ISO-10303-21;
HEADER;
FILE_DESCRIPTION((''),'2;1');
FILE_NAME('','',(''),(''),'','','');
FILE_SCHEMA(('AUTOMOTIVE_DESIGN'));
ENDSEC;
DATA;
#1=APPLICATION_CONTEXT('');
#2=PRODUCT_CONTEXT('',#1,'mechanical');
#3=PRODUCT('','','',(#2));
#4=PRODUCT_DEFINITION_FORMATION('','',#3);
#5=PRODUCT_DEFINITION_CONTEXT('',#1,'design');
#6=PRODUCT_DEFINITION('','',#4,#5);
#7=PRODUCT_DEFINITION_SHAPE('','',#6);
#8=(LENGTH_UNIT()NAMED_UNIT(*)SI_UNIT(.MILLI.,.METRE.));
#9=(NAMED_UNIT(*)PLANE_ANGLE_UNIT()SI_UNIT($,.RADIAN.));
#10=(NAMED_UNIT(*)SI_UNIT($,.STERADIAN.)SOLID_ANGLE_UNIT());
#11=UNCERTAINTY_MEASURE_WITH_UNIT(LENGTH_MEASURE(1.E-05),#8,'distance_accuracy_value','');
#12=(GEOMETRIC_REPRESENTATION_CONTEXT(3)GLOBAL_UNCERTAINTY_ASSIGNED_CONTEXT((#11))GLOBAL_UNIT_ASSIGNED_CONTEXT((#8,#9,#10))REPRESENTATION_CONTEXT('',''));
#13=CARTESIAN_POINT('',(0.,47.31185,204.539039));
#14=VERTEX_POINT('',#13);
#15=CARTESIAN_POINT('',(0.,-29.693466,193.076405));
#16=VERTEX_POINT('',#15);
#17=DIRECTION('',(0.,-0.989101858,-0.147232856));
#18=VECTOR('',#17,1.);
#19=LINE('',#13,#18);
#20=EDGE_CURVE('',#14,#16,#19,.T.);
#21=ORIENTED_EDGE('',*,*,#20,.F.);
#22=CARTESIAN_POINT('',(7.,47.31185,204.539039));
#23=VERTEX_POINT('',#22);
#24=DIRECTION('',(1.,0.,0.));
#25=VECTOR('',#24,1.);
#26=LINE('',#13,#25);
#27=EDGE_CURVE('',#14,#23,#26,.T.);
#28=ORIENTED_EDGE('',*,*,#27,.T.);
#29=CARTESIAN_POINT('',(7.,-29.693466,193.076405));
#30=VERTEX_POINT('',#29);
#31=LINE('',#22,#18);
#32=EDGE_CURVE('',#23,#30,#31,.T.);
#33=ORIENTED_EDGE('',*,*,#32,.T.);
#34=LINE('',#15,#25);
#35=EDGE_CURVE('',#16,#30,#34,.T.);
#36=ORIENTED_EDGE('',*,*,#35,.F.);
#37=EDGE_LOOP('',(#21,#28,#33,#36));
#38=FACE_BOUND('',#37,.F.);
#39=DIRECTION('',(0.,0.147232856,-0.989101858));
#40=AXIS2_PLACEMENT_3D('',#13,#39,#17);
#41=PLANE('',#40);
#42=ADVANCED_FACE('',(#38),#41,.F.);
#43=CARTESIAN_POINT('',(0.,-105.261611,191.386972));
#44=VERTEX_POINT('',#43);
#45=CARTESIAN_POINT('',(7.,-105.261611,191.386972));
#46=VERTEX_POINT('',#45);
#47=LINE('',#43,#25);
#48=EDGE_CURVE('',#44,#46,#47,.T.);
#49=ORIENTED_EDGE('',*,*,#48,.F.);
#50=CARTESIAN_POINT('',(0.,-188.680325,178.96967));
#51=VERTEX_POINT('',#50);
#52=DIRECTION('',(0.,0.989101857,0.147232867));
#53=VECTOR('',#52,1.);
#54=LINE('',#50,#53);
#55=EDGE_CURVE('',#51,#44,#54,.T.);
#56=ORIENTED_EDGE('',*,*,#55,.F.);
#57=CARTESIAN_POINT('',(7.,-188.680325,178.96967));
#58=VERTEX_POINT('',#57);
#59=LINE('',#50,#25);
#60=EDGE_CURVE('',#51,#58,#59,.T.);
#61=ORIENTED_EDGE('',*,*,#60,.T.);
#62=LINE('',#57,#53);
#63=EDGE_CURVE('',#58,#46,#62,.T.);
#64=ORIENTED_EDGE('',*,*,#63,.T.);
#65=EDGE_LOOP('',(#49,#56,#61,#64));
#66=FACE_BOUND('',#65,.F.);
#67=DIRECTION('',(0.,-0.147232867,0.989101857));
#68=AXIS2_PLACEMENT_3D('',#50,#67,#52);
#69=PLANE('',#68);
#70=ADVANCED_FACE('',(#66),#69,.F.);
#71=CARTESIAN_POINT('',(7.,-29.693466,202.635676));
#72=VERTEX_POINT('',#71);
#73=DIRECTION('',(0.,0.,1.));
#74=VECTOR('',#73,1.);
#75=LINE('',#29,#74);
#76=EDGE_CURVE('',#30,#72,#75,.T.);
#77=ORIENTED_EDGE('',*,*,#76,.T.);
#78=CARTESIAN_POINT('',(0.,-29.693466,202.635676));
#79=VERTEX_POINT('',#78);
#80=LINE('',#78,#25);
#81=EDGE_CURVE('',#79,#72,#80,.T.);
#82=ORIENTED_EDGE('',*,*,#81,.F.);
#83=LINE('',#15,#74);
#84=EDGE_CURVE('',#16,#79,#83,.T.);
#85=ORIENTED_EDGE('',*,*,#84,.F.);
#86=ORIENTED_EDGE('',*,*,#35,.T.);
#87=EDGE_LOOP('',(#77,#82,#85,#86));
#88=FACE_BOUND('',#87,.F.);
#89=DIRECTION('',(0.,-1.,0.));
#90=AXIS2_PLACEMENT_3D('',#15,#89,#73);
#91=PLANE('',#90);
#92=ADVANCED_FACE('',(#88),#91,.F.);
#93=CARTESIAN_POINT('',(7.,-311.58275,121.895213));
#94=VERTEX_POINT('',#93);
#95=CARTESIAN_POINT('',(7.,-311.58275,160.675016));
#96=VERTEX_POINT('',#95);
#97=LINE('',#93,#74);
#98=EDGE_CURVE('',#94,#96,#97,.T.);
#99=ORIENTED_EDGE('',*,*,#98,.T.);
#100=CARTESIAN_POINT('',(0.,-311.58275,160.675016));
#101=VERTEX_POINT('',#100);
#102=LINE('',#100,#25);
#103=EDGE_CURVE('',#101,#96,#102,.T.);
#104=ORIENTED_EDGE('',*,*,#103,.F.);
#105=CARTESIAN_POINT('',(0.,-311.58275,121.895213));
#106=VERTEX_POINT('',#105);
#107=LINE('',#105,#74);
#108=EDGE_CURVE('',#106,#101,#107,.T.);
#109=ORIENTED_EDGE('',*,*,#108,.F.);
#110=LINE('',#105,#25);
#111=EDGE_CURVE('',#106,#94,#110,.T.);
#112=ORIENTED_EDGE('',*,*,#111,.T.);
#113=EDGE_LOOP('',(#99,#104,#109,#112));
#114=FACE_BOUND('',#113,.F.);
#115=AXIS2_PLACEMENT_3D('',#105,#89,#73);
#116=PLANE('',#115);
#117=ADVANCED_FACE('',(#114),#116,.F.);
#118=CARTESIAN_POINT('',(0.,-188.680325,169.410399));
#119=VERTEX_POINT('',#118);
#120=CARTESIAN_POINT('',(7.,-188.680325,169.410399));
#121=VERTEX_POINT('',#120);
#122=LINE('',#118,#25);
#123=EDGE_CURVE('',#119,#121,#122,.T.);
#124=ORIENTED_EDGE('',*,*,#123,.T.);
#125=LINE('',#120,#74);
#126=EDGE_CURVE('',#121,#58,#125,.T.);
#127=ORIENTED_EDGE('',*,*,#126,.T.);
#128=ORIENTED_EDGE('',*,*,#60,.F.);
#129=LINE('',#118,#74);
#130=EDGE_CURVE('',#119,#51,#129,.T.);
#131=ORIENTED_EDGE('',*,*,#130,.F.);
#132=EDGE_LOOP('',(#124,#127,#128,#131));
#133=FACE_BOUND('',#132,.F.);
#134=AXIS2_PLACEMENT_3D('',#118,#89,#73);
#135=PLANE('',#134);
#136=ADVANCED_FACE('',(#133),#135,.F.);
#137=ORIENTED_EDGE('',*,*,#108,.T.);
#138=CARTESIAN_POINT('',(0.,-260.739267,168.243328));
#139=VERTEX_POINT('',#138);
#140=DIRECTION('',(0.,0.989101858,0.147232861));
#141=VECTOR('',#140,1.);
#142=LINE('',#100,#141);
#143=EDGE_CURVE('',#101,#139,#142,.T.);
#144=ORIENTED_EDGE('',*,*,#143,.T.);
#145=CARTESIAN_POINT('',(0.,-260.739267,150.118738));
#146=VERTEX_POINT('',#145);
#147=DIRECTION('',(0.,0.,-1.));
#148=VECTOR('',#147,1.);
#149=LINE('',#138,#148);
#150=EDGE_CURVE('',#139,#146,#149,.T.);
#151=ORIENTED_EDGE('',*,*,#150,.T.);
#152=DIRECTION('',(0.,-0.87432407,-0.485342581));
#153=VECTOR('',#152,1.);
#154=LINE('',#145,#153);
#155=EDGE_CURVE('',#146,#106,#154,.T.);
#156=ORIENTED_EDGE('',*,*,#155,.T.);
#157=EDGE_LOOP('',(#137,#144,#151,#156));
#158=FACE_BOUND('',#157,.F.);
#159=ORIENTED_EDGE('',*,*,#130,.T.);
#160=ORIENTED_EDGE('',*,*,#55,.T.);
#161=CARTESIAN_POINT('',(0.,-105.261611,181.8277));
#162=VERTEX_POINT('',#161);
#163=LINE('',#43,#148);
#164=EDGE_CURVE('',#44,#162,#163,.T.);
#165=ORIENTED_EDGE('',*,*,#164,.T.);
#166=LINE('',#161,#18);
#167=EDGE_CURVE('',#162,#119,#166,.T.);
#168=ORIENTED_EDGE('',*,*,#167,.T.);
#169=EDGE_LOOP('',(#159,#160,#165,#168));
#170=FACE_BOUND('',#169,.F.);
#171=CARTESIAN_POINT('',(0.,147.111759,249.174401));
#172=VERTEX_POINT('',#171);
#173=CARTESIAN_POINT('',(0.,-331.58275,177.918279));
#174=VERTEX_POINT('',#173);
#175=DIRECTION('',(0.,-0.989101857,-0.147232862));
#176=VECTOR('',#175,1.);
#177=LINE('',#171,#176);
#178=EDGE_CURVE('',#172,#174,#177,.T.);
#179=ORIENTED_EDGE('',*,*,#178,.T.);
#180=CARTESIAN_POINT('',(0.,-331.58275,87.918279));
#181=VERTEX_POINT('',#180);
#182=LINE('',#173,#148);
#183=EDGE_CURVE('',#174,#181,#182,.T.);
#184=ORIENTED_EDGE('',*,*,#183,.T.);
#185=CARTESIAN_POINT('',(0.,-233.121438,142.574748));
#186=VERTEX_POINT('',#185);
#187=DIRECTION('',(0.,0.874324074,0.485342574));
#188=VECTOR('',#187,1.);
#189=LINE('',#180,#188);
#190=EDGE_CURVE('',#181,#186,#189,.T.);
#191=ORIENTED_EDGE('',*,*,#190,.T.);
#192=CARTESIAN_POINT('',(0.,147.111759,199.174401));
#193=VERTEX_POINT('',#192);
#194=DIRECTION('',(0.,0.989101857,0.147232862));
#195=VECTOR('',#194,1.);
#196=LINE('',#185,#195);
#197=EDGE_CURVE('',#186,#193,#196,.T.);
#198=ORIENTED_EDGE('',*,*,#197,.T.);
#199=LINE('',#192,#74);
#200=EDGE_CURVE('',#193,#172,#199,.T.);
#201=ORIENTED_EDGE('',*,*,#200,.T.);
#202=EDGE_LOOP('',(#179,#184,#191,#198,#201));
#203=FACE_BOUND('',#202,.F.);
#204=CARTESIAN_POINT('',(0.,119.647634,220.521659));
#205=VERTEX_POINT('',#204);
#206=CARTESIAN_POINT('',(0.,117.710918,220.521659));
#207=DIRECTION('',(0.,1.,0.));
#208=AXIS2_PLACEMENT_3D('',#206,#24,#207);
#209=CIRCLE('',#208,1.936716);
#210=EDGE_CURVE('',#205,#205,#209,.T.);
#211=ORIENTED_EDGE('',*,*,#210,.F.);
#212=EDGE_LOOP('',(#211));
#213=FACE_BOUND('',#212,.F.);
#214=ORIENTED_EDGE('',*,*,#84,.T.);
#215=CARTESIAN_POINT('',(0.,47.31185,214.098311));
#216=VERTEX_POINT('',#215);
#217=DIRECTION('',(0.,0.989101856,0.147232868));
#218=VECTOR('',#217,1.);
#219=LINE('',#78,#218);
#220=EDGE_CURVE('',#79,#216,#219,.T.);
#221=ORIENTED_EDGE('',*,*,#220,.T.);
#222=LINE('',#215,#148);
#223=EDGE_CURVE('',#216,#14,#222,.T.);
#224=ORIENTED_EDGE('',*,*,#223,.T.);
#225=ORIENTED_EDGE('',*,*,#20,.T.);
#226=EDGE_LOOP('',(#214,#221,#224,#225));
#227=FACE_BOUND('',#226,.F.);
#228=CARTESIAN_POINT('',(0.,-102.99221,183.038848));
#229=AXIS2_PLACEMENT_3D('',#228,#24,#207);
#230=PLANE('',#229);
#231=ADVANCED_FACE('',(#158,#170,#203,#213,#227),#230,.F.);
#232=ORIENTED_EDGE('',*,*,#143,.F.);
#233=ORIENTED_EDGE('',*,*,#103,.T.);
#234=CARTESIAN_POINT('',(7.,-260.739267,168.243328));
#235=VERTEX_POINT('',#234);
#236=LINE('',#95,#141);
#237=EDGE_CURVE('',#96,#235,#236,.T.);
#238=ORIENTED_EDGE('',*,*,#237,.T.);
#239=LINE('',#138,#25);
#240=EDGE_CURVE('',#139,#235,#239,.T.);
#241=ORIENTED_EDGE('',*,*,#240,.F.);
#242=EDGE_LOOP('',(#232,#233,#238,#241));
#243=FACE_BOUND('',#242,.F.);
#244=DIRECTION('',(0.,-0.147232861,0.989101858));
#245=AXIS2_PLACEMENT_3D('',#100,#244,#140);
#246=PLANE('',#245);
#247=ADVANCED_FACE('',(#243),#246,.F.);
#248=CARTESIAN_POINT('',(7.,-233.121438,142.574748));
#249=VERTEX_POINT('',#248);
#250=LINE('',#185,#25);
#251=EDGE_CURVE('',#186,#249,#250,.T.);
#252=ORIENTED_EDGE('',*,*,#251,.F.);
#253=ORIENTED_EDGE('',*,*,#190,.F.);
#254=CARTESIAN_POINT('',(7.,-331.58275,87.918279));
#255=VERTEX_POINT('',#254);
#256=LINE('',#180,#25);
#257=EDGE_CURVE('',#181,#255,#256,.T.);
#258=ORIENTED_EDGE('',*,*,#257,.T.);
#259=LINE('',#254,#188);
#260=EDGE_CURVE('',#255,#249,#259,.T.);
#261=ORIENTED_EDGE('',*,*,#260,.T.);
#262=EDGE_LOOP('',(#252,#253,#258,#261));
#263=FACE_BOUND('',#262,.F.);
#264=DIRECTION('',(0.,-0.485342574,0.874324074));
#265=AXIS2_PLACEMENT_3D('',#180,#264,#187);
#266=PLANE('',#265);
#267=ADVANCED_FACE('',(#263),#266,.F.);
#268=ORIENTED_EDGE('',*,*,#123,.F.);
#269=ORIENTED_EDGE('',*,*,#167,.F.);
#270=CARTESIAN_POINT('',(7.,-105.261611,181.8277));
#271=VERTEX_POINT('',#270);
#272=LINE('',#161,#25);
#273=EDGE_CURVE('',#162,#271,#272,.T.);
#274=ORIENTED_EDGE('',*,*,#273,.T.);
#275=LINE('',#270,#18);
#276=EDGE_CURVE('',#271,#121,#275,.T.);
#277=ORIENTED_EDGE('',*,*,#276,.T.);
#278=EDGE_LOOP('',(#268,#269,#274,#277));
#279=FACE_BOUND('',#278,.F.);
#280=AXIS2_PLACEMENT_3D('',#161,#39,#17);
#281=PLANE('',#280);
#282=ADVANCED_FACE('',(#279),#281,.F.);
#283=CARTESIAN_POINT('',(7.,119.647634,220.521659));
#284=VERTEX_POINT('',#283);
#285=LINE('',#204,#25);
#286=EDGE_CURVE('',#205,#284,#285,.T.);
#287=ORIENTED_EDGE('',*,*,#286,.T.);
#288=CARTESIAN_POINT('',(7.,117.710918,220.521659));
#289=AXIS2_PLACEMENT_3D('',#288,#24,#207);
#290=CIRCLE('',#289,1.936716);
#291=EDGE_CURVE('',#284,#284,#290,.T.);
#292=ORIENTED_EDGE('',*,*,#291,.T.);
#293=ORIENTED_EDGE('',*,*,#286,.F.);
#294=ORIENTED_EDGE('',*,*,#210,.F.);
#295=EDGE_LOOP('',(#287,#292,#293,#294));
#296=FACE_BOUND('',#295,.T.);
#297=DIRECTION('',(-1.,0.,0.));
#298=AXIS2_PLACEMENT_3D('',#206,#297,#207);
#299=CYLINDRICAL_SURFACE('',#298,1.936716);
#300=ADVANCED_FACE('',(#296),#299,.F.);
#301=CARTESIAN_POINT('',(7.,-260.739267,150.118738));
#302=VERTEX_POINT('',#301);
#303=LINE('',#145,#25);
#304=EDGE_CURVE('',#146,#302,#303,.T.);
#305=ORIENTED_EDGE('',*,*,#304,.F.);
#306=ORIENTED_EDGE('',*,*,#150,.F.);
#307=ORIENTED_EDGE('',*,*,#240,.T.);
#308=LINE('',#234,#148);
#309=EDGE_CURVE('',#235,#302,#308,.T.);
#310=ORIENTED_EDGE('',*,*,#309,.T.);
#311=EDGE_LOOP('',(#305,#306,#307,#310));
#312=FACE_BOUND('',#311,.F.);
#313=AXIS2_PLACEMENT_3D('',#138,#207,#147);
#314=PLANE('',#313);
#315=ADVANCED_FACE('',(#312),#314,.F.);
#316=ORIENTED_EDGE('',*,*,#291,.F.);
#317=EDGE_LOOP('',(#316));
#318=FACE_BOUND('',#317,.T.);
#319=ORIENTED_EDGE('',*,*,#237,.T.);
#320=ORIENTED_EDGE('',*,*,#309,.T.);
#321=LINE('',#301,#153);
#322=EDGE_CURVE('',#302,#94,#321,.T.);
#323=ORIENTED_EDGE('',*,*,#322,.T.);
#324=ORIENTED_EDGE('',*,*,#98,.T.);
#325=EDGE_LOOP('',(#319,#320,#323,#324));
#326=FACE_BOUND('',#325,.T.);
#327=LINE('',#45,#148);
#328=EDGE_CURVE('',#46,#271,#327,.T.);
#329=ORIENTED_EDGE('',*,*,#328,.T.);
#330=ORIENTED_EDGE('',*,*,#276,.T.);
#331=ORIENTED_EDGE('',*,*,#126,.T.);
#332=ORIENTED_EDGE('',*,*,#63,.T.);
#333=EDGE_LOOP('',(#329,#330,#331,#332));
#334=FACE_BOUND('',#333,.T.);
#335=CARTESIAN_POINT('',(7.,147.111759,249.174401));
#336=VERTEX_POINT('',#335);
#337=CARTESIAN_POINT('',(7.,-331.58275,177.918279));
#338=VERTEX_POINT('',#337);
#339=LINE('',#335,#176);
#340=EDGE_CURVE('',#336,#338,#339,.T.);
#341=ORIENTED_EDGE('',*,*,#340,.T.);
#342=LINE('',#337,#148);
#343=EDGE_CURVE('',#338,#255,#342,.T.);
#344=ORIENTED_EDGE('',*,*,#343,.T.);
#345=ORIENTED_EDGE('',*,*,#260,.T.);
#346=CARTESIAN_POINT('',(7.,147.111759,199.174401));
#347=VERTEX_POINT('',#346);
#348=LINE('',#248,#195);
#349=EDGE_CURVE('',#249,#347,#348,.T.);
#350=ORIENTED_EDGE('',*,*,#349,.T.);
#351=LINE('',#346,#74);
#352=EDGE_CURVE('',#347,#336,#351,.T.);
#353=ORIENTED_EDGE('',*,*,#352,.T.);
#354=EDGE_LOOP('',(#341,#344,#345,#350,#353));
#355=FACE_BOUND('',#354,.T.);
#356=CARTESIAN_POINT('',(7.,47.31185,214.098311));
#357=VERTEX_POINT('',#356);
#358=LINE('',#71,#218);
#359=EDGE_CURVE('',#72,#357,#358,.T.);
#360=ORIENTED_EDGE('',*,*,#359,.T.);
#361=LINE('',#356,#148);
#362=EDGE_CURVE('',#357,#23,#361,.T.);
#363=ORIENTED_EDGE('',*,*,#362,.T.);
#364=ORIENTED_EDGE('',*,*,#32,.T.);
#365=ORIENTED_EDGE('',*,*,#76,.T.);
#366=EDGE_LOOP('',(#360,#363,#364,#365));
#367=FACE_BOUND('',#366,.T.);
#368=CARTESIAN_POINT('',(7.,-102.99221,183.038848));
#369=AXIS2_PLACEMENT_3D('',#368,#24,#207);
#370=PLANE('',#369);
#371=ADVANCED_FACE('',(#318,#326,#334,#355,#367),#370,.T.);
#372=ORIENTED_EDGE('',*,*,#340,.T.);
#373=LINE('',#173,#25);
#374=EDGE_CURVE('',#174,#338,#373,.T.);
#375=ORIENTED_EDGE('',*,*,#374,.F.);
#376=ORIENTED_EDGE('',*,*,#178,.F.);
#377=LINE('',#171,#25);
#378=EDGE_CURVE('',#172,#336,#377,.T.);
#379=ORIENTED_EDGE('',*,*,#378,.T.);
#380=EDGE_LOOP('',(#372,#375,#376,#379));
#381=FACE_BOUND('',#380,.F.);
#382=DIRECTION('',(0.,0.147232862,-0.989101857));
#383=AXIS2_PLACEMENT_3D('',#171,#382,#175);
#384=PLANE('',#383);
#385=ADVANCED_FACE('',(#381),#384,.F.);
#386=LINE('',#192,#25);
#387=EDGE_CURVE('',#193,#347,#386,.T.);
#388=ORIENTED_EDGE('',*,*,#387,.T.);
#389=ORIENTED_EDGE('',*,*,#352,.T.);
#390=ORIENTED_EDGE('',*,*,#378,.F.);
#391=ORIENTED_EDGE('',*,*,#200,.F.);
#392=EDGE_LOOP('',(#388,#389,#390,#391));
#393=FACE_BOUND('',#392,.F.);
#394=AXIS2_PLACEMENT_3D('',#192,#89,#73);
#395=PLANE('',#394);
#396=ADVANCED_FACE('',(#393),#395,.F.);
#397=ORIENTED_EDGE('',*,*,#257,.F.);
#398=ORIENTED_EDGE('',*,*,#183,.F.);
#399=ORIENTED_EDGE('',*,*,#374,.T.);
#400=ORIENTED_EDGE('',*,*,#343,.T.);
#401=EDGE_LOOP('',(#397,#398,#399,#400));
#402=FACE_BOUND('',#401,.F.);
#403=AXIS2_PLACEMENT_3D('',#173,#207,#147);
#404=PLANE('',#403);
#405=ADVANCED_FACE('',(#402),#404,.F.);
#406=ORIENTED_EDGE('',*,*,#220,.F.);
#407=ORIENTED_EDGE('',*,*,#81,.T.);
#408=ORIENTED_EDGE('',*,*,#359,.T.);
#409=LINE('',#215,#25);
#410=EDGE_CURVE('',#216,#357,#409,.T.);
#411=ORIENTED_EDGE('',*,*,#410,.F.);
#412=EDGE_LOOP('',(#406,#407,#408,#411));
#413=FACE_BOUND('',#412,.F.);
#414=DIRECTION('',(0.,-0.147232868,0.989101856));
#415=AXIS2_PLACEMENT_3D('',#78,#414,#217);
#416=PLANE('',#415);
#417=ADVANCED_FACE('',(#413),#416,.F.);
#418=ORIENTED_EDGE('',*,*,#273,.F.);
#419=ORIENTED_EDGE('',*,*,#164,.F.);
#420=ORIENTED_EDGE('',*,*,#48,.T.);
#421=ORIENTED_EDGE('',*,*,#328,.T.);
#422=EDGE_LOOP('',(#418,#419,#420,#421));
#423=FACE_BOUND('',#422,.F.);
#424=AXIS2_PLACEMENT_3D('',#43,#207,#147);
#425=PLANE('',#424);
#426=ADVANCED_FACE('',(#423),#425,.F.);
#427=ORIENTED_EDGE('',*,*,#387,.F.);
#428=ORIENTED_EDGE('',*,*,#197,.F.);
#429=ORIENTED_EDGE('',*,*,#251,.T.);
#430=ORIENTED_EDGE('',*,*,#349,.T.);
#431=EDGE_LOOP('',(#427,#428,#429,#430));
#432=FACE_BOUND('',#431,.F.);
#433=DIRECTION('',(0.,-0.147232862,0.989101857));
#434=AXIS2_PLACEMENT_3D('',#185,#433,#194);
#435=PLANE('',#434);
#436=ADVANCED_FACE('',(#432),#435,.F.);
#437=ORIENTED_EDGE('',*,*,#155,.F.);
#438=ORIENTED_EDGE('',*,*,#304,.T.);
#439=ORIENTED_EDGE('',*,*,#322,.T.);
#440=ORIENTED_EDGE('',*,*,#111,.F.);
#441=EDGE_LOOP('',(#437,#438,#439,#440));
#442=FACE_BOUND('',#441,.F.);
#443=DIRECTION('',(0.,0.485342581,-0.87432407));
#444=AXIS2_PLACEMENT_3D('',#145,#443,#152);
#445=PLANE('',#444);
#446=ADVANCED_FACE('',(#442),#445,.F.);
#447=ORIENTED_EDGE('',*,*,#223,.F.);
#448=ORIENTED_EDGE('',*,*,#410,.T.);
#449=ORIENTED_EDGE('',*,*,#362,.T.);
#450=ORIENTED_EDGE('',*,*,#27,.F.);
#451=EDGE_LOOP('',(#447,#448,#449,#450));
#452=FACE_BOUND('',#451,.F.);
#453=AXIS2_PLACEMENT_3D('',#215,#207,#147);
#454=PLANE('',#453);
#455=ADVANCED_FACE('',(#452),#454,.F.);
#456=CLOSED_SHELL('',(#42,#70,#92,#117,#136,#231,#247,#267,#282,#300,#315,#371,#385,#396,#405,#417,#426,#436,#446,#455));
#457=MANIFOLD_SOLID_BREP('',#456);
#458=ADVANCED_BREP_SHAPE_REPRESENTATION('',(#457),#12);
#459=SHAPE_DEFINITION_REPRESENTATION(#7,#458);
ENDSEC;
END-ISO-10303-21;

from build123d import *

# Parameters (mm, degrees)
F0_R     = 1.936716
F1_DEPTH = 7


with BuildPart() as f1:
    # F0 (on Right) → F1 (new body)
    with BuildSketch(Plane.YZ):
        Polygon((147.111759, 249.174401), (-331.58275, 177.918279), (-331.58275, 87.918279), (-233.121438, 142.574748), (147.111759, 199.174401), align=None)
        Polygon((-311.58275, 121.895213), (-311.58275, 160.675016), (-260.739267, 168.243328), (-260.739267, 150.118738), align=None, mode=Mode.SUBTRACT)
        Polygon((-105.261611, 181.8277), (-188.680325, 169.410399), (-188.680325, 178.96967), (-105.261611, 191.386972), align=None, mode=Mode.SUBTRACT)
        Polygon((-29.693466, 193.076405), (-29.693466, 202.635676), (47.31185, 214.098311), (47.31185, 204.539039), align=None, mode=Mode.SUBTRACT)
        with Locations((117.710918, 220.521659)):
            Circle(F0_R, mode=Mode.SUBTRACT)
    extrude(amount=F1_DEPTH)


solid = f1.part
